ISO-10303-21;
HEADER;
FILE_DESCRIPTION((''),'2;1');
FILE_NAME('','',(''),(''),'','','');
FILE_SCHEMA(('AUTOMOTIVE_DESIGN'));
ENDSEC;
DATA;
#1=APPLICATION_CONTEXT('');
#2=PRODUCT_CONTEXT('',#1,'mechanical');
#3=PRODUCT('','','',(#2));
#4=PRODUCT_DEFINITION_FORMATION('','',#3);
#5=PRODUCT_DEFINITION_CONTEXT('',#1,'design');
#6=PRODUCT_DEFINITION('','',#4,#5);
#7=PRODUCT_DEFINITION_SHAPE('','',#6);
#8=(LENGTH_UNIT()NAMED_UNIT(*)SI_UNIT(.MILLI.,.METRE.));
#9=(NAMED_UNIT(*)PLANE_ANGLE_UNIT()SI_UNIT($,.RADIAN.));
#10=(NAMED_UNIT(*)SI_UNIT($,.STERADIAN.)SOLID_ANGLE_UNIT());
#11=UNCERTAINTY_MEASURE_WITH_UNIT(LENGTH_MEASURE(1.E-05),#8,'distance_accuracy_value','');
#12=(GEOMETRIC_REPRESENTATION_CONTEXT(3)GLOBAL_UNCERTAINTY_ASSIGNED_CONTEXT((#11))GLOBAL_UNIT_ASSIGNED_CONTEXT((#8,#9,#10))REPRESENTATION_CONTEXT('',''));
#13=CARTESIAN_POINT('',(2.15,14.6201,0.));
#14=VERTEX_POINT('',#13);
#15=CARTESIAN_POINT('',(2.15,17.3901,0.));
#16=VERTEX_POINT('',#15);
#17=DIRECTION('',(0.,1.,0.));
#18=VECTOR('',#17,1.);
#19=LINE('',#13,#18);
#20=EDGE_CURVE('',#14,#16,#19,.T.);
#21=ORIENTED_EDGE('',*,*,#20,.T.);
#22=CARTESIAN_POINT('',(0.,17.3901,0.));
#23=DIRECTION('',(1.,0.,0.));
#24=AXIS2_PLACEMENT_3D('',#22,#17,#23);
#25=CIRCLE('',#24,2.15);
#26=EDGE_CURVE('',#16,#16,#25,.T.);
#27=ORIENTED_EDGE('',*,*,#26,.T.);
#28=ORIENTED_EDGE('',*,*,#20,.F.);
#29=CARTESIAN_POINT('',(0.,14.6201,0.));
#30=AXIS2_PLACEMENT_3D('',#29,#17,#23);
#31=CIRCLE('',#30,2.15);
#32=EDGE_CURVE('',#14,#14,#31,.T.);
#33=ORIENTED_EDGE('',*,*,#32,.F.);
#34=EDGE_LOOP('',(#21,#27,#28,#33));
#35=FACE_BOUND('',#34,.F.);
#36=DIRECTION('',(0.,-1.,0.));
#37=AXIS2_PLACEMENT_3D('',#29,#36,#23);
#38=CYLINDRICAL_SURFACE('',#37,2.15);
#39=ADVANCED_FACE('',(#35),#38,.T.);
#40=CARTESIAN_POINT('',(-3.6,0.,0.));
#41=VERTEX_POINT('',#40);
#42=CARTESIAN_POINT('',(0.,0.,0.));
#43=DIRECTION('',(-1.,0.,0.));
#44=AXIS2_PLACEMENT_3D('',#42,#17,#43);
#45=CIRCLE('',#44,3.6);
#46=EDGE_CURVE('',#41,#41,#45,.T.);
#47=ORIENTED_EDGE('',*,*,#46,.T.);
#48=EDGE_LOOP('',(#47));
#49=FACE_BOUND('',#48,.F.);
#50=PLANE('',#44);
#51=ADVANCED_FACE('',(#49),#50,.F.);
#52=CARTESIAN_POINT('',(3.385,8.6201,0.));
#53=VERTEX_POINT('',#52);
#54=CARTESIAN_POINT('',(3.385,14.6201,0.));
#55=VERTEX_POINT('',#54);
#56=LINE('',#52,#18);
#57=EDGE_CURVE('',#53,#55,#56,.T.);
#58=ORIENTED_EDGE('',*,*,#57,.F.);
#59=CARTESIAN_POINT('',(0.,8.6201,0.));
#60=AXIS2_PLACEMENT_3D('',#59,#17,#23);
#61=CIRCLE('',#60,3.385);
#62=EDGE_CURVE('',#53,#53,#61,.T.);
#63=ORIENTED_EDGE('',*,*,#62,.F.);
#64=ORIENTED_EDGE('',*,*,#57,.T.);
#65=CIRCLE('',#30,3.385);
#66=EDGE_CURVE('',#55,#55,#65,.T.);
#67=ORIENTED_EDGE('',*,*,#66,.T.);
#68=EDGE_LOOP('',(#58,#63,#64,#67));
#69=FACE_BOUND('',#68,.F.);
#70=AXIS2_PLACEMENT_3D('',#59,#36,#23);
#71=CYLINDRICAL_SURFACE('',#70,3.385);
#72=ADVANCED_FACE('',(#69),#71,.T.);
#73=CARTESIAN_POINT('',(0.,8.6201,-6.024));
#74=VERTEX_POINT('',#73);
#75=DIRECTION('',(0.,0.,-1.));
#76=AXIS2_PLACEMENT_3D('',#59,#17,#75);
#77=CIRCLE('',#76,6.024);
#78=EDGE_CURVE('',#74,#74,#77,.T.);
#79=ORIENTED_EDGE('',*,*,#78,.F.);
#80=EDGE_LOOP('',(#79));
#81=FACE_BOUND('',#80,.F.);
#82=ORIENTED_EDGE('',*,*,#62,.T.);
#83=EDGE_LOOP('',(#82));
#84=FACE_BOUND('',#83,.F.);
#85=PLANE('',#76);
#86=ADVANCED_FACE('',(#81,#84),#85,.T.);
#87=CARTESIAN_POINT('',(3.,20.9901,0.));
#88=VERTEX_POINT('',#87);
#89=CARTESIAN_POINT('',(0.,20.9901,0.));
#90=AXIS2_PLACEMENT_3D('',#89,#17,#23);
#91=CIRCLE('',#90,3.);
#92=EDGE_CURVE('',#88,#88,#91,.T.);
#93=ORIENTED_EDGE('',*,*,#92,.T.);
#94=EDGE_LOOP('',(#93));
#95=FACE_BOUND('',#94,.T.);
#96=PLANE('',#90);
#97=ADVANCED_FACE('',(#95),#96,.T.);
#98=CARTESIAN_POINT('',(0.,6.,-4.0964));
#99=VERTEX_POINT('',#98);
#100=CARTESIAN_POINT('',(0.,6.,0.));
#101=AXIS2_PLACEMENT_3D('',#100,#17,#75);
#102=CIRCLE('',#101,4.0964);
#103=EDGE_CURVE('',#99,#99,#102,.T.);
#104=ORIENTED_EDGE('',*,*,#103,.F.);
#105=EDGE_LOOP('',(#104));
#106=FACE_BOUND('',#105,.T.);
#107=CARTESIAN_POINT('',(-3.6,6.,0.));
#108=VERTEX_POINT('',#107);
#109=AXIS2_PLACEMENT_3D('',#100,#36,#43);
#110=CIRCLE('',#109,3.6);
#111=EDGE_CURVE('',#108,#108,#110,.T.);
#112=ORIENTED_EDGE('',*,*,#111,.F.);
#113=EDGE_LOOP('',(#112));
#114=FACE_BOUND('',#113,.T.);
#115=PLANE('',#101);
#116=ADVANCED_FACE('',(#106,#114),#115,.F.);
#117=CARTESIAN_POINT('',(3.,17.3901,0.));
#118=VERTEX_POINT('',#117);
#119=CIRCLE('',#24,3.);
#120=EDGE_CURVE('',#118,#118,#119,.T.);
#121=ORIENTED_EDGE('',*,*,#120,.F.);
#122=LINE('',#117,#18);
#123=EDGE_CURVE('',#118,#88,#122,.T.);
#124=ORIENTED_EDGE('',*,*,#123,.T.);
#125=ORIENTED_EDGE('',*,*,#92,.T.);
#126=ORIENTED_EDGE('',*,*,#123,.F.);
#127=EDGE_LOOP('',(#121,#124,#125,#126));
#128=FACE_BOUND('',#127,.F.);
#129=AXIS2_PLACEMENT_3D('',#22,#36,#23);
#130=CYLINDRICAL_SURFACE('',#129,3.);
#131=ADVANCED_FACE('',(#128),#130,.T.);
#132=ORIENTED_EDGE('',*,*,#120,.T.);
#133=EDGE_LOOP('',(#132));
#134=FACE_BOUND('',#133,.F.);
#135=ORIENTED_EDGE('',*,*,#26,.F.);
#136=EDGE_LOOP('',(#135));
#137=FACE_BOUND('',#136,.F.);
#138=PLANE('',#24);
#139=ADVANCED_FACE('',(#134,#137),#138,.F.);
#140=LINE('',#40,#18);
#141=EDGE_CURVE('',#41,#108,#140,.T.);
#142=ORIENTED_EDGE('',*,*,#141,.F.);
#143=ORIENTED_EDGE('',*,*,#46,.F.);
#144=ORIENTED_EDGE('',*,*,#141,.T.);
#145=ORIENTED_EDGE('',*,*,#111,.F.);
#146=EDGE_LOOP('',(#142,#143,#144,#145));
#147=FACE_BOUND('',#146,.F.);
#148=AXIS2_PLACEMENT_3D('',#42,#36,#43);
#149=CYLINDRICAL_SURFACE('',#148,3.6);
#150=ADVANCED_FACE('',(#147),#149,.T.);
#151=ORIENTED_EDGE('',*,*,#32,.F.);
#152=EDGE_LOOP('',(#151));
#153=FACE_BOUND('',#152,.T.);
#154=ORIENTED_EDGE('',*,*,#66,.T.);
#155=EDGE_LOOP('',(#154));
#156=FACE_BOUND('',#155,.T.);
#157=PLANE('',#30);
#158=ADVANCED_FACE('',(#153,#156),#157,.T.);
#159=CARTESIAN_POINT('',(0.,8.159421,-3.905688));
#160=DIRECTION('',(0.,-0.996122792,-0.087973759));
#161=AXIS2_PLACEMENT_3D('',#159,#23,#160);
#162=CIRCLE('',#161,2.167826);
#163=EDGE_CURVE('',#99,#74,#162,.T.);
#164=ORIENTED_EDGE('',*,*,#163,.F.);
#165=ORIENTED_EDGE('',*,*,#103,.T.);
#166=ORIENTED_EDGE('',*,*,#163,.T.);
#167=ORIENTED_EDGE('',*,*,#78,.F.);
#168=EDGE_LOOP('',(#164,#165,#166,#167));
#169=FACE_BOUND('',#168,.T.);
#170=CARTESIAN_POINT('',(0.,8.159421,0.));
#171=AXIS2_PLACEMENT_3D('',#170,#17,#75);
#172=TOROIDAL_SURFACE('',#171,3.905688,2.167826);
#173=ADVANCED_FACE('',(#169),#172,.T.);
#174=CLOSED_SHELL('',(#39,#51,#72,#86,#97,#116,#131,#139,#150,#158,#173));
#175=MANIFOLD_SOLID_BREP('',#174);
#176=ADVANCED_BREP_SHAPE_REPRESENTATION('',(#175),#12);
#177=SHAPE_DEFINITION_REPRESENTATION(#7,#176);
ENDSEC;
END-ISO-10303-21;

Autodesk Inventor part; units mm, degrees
ref_plane "YZ Plane" through (0, 0, 0) normal (1, 0, 0) x (0, 1, 0)
ref_plane "XZ Plane" through (0, 0, 0) normal (0, 1, 0) x (-1, 0, 0)
ref_plane "XY Plane" through (0, 0, 0) normal (0, 0, 1) x (1, 0, 0)
sketch "Sketch1" plane through (0, 0, 0) normal (0, 1, 0) x (-1, 0, 0)
  circle A0 centre (0, 0) radius 3.6
  dimension "d0" = 7.2
extrude "Extrusion1" add sketch "Sketch1" along normal blind 6
sketch "Sketch2" plane through (0, 0, 0) normal (1, 0, 0) x (0, 1, 0)
  line L0 (6, -3.6) -> (6, 3.6) projected
  line L1 (6, 0) -> (8.6201, 0)
  line L2 (8.6201, 0) -> (8.6201, -6.024)
  line L3 (6, -3.6) -> (6, -4.0964)
  arc A0 (6, -4.0964) -> (8.6201, -6.024) centre (8.1594, -3.9057) ccw
  point P0 (0, 0)
revolve "Revolution1" add sketch "Sketch2" angle 360 about axis through (0, 6, 0) along (0, 1, 0)
sketch "Sketch3" plane through (0, 8.6201, 0) normal (0, 1, 0) x (1, 0, 0)
  circle A0 centre (0, 0) radius 3.385
  dimension "d4" = 6.77
extrude "Extrusion2" add sketch "Sketch3" along normal blind 6
sketch "Sketch4" plane through (0, 14.6201, 0) normal (0, 1, 0) x (1, 0, 0)
  circle A0 centre (0, 0) radius 2.15
  dimension "d7" = 4.3
extrude "Extrusion3" add sketch "Sketch4" along normal blind 2.77
sketch "Sketch5" plane through (0, 17.3901, 0) normal (0, 1, 0) x (1, 0, 0)
  circle A0 centre (0, 0) radius 3
  dimension "d10" = 6
extrude "Extrusion4" add sketch "Sketch5" along normal blind 3.6
thread "Thread1" size "M7x1" class "6g" standard "ANSI Metric M Profile" full length
properties part number "BLACKBUTTON"
